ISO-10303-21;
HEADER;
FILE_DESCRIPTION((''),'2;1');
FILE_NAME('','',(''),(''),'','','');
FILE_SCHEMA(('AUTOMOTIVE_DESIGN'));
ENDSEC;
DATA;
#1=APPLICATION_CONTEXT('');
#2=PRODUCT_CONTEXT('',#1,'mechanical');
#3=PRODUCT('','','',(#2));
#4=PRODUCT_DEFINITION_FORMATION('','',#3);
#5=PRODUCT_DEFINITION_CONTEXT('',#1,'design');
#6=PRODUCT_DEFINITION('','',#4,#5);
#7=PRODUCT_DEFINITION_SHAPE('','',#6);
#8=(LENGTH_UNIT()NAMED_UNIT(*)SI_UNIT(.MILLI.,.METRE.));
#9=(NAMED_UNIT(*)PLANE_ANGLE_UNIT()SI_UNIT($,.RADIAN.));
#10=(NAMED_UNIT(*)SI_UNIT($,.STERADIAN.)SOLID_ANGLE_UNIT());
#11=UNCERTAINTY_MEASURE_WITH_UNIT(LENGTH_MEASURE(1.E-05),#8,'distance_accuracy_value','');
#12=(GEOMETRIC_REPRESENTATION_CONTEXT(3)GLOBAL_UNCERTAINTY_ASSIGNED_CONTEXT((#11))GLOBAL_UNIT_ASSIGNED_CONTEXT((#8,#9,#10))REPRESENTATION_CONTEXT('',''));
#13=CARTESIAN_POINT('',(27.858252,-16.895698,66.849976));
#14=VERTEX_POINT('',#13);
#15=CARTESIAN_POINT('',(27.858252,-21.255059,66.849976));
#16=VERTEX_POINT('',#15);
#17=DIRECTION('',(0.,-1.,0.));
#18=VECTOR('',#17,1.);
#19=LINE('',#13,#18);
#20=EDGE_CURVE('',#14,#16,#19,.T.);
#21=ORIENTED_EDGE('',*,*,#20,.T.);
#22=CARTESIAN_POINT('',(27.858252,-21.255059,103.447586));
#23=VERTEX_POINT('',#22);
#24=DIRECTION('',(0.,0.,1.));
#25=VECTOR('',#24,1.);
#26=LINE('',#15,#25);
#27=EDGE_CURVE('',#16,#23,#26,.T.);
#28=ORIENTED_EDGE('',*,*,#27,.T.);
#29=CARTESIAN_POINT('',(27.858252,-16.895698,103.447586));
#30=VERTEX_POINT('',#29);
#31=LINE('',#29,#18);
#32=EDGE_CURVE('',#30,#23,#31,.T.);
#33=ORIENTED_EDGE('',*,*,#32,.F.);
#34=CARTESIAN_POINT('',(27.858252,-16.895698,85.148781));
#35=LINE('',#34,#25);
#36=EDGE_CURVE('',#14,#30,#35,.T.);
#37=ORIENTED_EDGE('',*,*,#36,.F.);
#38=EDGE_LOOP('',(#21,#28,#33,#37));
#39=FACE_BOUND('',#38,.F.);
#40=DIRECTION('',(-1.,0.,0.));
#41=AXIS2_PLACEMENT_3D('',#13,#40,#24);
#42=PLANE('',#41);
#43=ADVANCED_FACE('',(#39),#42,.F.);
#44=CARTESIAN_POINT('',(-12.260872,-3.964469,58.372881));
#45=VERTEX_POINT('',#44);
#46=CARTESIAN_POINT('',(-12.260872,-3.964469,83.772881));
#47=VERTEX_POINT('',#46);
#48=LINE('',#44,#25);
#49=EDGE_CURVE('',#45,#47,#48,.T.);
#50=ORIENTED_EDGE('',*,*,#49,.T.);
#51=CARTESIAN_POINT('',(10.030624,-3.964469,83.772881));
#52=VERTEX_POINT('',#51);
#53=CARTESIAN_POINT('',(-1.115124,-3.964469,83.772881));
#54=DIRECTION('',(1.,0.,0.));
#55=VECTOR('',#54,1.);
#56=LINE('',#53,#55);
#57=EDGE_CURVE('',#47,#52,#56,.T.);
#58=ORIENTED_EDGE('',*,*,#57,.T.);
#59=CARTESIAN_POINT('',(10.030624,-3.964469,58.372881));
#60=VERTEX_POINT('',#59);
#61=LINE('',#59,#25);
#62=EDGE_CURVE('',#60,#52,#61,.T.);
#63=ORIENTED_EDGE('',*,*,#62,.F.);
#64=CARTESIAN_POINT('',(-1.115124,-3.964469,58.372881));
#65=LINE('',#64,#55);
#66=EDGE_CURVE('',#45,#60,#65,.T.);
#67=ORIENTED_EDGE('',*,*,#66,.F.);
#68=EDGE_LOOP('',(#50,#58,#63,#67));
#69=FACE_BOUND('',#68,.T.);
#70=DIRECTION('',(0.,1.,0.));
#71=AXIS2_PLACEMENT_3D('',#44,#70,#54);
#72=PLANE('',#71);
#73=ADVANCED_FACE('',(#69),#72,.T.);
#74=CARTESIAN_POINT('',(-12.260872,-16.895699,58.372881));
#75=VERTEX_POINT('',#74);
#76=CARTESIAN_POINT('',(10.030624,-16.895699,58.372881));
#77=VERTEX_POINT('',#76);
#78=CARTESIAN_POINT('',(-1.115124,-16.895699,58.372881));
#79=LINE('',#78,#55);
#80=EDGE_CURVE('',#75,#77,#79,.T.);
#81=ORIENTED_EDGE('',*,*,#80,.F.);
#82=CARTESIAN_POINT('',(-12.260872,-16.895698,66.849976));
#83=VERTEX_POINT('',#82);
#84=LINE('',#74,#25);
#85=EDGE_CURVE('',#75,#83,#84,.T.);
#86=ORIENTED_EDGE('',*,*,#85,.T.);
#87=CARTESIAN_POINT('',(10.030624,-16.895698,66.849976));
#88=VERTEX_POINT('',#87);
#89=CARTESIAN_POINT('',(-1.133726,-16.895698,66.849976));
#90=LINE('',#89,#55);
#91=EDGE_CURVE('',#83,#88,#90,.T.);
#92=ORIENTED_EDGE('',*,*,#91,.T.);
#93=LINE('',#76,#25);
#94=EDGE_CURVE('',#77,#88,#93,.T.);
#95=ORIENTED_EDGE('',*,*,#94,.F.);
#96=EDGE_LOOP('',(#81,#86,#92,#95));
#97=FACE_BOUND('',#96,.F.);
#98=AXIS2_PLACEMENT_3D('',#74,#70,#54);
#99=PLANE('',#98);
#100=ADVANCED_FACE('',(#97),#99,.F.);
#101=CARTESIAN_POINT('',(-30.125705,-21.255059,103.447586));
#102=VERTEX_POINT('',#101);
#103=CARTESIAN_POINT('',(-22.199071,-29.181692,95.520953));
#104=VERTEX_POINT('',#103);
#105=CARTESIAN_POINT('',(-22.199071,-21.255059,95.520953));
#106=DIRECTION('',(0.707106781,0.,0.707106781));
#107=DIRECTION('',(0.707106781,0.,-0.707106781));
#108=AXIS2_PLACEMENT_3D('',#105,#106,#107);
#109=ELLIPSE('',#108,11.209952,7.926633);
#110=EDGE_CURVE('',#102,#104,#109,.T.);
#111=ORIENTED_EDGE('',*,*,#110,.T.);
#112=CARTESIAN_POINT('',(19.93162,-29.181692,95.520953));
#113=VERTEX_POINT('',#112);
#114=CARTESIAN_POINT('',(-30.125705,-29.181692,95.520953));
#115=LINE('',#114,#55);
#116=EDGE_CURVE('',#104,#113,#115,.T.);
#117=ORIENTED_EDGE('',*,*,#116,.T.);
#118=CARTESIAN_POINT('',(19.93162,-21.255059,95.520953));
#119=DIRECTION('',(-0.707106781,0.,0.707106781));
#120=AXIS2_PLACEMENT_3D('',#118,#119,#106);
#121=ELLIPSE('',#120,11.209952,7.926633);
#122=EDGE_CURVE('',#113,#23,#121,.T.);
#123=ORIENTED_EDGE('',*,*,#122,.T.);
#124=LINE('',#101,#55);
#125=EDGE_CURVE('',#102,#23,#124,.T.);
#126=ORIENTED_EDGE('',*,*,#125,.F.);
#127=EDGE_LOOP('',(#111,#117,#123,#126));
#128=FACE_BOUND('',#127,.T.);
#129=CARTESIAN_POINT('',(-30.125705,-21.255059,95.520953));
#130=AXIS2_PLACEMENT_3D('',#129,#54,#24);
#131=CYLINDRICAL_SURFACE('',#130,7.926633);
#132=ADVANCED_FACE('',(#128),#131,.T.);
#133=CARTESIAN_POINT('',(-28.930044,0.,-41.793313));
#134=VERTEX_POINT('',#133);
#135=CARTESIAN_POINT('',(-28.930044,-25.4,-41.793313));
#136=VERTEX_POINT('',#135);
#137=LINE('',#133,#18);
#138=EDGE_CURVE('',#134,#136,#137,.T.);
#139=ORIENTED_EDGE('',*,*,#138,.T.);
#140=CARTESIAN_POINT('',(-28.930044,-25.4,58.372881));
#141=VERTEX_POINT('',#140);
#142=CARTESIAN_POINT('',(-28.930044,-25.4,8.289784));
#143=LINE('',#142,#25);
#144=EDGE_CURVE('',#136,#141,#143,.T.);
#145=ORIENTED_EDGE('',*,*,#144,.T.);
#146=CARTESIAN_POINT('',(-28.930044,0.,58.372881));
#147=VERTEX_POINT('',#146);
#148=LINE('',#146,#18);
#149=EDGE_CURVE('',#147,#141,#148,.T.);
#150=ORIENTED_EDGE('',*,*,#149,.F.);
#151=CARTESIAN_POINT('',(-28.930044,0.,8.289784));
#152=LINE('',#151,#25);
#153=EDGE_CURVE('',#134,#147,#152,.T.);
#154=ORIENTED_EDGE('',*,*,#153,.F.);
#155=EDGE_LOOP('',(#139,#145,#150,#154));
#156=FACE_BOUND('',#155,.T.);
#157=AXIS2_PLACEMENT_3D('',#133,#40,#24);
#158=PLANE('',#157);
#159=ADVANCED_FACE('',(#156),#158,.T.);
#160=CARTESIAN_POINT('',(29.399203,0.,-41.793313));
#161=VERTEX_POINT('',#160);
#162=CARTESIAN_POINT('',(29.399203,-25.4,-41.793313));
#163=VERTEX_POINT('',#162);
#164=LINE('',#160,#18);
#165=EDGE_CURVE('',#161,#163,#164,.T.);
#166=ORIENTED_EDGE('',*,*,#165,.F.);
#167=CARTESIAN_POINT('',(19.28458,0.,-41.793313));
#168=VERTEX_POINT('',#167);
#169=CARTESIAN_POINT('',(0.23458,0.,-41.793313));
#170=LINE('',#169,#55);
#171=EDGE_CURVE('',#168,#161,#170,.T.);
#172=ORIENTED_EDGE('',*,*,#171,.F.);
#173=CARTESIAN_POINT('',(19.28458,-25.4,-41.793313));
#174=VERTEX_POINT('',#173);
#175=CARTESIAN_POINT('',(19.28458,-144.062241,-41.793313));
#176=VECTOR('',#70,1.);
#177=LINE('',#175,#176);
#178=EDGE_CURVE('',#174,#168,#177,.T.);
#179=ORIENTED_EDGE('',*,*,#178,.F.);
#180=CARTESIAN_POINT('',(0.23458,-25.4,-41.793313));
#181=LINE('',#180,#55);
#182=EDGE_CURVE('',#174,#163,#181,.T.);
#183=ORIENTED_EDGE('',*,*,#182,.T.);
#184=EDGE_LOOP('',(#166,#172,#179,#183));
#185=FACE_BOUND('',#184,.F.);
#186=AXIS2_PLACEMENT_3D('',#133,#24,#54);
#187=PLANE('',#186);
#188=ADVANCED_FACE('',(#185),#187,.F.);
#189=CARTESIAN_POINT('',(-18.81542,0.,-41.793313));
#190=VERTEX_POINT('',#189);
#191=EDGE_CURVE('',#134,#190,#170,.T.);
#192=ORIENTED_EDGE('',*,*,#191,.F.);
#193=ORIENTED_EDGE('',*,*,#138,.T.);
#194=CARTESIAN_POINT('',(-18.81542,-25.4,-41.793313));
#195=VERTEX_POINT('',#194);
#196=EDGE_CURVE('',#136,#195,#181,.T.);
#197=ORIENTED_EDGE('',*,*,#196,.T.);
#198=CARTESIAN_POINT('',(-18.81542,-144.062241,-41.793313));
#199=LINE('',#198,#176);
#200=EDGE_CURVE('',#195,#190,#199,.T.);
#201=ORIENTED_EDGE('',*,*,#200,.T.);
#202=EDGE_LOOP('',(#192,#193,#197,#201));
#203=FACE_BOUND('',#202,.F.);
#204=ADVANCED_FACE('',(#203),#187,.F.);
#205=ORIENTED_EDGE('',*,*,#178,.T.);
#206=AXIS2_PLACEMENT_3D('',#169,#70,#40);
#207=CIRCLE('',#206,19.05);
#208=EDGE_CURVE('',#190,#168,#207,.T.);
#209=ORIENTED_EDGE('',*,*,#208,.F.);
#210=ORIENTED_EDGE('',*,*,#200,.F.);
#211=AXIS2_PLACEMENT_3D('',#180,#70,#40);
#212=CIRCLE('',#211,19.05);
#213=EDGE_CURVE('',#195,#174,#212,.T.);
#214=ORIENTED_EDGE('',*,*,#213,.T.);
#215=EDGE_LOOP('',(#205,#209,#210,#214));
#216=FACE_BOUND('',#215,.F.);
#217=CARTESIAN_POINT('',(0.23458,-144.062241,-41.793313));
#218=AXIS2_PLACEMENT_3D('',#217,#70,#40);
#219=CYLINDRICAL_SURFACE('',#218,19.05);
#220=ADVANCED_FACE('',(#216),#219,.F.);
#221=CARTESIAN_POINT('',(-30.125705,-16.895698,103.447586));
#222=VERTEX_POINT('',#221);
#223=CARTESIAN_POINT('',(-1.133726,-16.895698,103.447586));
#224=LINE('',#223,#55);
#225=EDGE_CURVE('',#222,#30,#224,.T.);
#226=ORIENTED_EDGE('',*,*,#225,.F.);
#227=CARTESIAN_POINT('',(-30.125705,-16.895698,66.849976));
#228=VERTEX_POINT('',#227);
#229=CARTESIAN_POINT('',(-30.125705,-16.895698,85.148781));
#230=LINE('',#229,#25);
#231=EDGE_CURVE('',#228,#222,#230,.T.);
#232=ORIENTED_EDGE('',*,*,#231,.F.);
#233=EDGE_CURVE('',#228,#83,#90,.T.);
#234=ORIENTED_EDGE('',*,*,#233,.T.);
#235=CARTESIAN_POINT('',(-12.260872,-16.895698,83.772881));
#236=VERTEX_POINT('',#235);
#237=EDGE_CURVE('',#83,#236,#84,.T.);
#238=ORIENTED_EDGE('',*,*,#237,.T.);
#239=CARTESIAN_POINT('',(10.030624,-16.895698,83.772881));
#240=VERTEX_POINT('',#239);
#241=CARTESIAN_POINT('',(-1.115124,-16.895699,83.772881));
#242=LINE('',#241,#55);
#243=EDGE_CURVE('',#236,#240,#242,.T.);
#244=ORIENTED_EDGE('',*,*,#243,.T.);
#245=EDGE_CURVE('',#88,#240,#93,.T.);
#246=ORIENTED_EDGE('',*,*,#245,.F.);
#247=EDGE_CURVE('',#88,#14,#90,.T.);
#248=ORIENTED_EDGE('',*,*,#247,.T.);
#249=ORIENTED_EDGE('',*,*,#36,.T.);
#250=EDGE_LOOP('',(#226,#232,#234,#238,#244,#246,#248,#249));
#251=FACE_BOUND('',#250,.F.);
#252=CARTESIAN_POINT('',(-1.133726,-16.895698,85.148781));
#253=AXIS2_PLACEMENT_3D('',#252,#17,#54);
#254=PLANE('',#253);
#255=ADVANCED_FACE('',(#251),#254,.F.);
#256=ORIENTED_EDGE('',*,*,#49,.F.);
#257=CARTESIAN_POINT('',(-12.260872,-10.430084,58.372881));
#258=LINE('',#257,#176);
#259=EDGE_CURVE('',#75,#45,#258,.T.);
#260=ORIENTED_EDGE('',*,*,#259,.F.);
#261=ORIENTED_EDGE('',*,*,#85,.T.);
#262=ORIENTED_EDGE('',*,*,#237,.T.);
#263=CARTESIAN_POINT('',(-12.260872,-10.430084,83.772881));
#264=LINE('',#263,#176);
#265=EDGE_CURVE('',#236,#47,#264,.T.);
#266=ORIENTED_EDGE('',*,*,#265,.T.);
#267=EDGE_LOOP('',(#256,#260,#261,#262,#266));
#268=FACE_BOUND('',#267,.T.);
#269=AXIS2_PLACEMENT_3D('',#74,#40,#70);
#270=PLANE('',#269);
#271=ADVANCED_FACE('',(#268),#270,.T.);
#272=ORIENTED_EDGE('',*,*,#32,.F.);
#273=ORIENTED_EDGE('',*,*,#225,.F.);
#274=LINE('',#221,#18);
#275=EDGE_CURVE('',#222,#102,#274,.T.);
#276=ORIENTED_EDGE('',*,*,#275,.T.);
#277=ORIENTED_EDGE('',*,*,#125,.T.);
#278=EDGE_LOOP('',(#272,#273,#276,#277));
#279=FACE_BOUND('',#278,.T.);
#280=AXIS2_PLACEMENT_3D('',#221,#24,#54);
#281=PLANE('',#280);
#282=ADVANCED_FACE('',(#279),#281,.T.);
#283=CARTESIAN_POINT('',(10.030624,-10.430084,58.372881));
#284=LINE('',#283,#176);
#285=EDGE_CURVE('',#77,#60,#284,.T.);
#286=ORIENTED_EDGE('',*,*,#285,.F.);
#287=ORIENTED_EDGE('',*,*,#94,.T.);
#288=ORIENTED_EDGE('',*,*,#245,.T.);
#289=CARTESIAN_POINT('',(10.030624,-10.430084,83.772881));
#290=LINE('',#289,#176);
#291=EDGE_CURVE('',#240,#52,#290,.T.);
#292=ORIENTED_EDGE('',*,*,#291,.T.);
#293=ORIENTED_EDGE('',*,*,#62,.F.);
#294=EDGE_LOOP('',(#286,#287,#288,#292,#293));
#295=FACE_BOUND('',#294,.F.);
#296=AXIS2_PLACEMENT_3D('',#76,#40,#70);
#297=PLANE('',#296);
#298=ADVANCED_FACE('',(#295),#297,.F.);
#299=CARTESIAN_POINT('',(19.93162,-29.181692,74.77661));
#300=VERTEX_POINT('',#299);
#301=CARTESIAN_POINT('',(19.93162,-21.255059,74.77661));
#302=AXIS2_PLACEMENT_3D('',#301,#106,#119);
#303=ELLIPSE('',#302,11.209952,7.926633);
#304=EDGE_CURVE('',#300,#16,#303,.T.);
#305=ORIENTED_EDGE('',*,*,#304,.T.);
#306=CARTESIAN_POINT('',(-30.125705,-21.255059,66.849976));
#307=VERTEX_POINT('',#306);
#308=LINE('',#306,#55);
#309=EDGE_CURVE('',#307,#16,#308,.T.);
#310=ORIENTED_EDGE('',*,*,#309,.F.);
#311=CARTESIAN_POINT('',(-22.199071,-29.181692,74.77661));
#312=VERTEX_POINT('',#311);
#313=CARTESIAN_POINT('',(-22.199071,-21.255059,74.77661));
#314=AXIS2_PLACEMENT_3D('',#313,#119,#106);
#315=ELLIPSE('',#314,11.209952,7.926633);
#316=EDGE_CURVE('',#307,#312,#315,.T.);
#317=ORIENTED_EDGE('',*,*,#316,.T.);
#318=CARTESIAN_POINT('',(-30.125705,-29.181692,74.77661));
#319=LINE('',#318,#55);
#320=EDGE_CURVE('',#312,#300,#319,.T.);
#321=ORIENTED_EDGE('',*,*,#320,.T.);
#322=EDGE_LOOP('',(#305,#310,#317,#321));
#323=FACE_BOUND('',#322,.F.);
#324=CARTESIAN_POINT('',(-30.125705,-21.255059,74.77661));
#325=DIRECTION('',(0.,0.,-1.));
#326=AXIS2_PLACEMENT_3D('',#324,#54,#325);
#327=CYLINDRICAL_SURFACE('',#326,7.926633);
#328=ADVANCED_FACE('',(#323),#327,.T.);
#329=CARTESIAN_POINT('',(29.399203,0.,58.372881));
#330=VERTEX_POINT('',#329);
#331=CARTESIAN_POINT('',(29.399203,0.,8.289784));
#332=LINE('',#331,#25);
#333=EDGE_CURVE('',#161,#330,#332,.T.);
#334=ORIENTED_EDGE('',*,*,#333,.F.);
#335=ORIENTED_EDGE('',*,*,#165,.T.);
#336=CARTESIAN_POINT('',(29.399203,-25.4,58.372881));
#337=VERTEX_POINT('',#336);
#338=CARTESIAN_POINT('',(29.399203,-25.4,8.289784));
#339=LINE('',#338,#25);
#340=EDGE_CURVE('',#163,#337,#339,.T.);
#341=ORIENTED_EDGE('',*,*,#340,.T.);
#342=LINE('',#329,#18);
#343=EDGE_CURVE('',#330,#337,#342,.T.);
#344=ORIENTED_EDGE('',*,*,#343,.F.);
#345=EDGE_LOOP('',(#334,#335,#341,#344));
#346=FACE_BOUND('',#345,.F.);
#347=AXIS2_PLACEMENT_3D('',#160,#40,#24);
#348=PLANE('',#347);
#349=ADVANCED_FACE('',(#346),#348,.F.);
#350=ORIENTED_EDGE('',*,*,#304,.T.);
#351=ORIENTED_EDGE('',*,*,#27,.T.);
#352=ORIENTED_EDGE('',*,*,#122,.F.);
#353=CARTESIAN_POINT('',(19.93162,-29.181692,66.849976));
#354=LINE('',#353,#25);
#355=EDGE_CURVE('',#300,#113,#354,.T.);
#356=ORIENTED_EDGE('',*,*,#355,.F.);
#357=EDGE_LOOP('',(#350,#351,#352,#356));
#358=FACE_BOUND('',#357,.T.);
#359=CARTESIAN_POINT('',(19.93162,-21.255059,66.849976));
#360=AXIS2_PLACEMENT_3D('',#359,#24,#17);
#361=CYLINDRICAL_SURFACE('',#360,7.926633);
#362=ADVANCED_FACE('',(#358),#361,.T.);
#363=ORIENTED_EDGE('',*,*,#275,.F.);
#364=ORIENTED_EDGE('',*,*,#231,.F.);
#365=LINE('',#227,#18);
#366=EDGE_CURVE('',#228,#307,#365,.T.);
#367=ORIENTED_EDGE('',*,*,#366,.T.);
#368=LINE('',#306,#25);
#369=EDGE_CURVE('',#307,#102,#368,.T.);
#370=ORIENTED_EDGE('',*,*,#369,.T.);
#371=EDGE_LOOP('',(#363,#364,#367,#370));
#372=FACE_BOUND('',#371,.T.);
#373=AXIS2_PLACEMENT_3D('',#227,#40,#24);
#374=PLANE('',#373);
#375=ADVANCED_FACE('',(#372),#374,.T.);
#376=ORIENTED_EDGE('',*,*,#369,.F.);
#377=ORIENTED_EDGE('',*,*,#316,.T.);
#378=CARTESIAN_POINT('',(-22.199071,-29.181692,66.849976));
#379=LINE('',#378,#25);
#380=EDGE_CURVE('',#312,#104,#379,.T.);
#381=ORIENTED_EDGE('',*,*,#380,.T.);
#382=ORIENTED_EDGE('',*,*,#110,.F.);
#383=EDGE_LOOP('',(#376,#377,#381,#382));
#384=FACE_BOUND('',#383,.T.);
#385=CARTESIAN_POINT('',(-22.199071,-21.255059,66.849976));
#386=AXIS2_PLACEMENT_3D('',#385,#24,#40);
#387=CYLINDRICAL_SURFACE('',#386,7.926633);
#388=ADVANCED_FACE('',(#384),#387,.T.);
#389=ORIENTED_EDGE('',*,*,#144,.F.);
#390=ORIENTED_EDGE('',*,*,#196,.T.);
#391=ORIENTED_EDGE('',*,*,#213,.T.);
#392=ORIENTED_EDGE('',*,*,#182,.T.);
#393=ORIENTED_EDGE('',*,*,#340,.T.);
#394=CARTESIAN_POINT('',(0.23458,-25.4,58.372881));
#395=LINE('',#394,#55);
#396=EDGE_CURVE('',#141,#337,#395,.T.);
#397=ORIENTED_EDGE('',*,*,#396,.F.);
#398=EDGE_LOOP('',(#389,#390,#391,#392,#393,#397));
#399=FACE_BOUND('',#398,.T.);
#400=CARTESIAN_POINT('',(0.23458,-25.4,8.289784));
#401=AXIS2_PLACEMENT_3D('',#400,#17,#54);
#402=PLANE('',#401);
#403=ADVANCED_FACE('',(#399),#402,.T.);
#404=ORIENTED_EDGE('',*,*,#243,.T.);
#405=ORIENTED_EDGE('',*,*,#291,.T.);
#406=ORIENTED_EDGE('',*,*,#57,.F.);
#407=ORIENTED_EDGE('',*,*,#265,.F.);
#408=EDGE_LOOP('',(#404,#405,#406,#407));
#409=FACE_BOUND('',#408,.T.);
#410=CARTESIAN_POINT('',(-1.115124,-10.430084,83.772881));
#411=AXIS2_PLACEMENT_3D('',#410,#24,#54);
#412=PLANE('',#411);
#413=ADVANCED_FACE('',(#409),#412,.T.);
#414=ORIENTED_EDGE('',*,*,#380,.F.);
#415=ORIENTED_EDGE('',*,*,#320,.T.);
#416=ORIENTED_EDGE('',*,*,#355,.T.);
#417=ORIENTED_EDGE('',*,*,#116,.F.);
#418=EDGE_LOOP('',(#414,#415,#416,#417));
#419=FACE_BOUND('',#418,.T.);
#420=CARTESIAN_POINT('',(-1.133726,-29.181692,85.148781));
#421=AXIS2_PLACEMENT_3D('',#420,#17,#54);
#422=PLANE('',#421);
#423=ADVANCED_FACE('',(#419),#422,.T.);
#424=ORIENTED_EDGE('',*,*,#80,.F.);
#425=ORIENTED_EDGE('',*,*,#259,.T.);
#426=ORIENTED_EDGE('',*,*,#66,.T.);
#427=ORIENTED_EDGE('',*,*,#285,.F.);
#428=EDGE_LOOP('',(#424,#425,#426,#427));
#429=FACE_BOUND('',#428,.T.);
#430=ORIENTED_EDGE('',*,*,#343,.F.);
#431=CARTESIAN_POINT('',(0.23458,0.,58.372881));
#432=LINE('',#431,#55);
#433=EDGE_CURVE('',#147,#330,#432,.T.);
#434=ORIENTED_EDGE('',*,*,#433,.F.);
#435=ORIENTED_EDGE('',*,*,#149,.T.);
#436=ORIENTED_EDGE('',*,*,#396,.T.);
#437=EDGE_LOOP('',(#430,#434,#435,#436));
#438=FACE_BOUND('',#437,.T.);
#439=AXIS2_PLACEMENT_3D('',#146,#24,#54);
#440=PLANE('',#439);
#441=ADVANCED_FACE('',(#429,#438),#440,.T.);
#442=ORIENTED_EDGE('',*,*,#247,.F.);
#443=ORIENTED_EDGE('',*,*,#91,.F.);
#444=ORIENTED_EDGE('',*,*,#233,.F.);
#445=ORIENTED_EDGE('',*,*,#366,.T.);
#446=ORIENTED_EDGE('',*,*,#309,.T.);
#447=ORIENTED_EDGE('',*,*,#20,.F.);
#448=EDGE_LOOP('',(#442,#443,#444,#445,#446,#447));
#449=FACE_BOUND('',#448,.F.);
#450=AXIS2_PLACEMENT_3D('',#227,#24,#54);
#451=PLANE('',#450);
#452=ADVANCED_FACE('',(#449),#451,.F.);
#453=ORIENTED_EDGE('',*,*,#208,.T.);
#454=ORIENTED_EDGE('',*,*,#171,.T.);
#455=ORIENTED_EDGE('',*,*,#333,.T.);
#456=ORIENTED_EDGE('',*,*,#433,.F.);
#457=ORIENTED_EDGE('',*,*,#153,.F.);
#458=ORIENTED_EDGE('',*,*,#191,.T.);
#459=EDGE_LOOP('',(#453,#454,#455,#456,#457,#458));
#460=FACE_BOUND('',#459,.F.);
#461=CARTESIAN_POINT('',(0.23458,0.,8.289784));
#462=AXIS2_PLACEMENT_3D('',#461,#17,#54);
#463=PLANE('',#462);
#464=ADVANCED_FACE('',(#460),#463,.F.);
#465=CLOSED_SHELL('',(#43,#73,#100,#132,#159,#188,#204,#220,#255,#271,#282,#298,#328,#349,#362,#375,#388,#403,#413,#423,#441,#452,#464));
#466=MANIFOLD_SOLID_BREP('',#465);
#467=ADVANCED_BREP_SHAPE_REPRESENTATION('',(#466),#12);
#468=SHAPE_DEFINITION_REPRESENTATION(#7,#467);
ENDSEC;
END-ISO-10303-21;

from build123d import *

# Parameters (mm, degrees)
F0_W     = 58.329247
F0_H     = 100.166194
F1_DEPTH = 25.4
F3_D     = 38.1
F5_W     = 22.291495
F5_H     = 12.931229
F6_DEPTH = 25.4
F8_W     = 57.983957
F8_H     = 36.597609
F9_DEPTH = 12.285994
F10_R    = 7.926633


with BuildPart() as f1:
    # F0 (on Front) → F1 (new body)
    with BuildSketch(Plane.XZ):
        with Locations((0.23458, 8.289784)):
            Rectangle(F0_W, F0_H)
    extrude(amount=F1_DEPTH)

    # F3 (through all)
    with Locations(Plane.XZ.offset(25.4)):
        with Locations((0.23458, -41.793313)):
            Hole(F3_D / 2)

    # F5 (on face) → F6 (join)
    with BuildSketch(Plane.XY.offset(58.372881)):
        with Locations((-1.115124, -10.430084)):
            Rectangle(F5_W, F5_H)
    extrude(amount=F6_DEPTH)

    # F8 (on face) → F9 (join)
    with BuildSketch(Plane.XZ.offset(16.895698)):
        with Locations((-1.133726, 85.148781)):
            Rectangle(F8_W, F8_H)
    extrude(amount=F9_DEPTH)

    # F10
    f10_edges = [f1.edges().sort_by_distance(p)[0] for p in [
        (27.858253, -29.181693, 85.148782),
        (-1.133725, -29.181693, 103.447586),
        (-1.133725, -29.181693, 66.849977),
        (-30.125704, -29.181693, 85.148782),
    ]]
    fillet(f10_edges, radius=F10_R)


solid = f1.part
